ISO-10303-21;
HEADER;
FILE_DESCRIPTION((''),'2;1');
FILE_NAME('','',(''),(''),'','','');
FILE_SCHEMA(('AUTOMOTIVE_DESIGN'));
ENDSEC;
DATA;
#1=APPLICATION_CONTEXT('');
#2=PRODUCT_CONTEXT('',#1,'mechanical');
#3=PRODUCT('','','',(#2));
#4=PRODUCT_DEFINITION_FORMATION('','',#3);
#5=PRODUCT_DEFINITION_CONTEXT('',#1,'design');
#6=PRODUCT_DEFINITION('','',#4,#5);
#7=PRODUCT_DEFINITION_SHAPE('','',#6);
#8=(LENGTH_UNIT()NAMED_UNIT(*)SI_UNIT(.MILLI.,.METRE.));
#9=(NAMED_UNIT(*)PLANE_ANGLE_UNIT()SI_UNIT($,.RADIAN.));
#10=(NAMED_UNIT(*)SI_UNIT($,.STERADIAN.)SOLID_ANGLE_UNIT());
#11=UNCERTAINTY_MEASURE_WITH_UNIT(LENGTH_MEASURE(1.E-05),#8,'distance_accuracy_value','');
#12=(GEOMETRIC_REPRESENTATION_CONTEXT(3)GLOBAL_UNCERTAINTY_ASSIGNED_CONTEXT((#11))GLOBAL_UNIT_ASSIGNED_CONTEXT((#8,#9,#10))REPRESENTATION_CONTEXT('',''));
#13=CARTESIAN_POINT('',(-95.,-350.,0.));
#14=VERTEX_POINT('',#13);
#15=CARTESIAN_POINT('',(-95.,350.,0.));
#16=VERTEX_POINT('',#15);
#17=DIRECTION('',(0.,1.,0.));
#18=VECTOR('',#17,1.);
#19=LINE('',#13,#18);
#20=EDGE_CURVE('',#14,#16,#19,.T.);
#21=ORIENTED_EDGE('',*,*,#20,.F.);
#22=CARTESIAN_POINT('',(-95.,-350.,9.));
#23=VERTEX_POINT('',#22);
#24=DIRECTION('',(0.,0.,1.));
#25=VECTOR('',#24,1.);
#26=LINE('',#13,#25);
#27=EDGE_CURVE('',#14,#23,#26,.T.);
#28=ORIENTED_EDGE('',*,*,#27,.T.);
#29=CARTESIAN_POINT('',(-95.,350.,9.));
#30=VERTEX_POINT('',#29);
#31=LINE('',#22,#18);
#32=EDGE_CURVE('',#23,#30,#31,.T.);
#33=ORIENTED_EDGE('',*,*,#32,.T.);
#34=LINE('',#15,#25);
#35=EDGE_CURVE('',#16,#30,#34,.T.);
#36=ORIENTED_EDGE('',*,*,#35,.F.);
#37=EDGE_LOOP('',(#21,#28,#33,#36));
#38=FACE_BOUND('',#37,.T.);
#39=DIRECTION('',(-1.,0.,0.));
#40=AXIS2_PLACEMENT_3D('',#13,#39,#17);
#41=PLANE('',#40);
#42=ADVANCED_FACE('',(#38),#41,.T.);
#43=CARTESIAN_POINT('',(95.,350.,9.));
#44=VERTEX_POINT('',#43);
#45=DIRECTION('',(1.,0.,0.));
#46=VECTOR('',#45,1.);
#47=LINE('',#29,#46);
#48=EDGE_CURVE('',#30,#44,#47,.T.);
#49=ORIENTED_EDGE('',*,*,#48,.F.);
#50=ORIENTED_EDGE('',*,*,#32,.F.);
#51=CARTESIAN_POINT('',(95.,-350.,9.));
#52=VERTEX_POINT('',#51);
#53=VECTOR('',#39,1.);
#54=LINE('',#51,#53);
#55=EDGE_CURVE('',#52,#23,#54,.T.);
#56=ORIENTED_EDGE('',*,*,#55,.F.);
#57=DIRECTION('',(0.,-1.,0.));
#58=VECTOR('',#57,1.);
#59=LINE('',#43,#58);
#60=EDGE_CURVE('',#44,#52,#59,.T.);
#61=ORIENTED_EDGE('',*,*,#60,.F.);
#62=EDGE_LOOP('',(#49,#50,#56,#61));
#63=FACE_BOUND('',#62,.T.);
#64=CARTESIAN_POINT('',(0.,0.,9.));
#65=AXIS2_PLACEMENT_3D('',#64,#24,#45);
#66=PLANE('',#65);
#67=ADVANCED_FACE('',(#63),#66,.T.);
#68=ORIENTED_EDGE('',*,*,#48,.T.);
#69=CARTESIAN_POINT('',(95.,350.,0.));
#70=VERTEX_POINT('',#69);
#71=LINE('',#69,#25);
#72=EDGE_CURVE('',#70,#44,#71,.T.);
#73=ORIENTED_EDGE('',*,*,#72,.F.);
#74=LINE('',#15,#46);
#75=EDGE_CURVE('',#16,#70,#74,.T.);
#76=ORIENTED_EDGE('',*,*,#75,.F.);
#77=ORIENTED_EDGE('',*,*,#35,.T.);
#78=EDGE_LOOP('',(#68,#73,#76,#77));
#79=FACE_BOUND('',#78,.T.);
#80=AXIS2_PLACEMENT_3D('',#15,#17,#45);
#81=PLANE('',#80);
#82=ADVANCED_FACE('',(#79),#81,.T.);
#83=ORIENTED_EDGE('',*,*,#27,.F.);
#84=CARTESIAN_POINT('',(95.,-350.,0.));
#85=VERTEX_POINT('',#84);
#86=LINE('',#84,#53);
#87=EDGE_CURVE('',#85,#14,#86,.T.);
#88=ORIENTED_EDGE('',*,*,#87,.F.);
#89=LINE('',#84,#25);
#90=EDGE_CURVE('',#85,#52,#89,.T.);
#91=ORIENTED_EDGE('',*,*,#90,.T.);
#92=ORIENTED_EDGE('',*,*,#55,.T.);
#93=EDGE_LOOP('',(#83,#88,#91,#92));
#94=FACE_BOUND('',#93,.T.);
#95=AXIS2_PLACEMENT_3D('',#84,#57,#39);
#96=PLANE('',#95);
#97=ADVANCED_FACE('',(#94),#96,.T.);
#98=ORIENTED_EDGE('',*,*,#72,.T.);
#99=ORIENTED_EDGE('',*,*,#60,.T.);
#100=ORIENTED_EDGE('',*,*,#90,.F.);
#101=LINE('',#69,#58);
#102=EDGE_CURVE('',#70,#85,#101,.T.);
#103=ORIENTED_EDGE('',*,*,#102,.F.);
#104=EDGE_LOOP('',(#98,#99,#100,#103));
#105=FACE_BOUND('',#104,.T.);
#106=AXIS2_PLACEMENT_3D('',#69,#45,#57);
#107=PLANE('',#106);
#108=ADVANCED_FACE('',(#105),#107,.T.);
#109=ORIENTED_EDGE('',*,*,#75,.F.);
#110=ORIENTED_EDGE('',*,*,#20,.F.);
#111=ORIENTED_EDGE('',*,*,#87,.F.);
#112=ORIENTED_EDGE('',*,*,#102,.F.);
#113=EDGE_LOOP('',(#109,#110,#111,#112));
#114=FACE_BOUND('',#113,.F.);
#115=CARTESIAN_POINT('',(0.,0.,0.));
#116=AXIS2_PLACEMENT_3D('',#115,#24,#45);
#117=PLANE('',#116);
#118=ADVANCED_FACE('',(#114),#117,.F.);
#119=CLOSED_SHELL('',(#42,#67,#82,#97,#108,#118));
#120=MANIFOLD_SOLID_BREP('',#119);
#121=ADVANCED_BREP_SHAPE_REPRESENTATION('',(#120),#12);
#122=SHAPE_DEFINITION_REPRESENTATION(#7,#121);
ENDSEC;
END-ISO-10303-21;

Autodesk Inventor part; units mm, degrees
ref_plane "YZ Plane" through (0, 0, 0) normal (1, 0, 0) x (0, 1, 0)
ref_plane "XZ Plane" through (0, 0, 0) normal (0, 1, 0) x (-1, 0, 0)
ref_plane "XY Plane" through (0, 0, 0) normal (0, 0, 1) x (1, 0, 0)
sketch "Sketch1" plane through (0, 0, 0) normal (0, 0, 1) x (1, 0, 0)
  line L0 (95, -350) -> (-95, -350)
  line L1 (-95, -350) -> (-95, 350)
  line L2 (-95, 350) -> (95, 350)
  line L3 (95, 350) -> (95, -350)
  line L4 (95, -350) -> (-95, 350) construction
  line L5 (-95, -350) -> (95, 350) construction
  point P0 (0, 0)
  dimension "d0" = 700
  dimension "d1" = 190
extrude "Extrusion1" add sketch "Sketch1" along normal blind 9
properties part number "GBX_006.1-backplate_lo"
